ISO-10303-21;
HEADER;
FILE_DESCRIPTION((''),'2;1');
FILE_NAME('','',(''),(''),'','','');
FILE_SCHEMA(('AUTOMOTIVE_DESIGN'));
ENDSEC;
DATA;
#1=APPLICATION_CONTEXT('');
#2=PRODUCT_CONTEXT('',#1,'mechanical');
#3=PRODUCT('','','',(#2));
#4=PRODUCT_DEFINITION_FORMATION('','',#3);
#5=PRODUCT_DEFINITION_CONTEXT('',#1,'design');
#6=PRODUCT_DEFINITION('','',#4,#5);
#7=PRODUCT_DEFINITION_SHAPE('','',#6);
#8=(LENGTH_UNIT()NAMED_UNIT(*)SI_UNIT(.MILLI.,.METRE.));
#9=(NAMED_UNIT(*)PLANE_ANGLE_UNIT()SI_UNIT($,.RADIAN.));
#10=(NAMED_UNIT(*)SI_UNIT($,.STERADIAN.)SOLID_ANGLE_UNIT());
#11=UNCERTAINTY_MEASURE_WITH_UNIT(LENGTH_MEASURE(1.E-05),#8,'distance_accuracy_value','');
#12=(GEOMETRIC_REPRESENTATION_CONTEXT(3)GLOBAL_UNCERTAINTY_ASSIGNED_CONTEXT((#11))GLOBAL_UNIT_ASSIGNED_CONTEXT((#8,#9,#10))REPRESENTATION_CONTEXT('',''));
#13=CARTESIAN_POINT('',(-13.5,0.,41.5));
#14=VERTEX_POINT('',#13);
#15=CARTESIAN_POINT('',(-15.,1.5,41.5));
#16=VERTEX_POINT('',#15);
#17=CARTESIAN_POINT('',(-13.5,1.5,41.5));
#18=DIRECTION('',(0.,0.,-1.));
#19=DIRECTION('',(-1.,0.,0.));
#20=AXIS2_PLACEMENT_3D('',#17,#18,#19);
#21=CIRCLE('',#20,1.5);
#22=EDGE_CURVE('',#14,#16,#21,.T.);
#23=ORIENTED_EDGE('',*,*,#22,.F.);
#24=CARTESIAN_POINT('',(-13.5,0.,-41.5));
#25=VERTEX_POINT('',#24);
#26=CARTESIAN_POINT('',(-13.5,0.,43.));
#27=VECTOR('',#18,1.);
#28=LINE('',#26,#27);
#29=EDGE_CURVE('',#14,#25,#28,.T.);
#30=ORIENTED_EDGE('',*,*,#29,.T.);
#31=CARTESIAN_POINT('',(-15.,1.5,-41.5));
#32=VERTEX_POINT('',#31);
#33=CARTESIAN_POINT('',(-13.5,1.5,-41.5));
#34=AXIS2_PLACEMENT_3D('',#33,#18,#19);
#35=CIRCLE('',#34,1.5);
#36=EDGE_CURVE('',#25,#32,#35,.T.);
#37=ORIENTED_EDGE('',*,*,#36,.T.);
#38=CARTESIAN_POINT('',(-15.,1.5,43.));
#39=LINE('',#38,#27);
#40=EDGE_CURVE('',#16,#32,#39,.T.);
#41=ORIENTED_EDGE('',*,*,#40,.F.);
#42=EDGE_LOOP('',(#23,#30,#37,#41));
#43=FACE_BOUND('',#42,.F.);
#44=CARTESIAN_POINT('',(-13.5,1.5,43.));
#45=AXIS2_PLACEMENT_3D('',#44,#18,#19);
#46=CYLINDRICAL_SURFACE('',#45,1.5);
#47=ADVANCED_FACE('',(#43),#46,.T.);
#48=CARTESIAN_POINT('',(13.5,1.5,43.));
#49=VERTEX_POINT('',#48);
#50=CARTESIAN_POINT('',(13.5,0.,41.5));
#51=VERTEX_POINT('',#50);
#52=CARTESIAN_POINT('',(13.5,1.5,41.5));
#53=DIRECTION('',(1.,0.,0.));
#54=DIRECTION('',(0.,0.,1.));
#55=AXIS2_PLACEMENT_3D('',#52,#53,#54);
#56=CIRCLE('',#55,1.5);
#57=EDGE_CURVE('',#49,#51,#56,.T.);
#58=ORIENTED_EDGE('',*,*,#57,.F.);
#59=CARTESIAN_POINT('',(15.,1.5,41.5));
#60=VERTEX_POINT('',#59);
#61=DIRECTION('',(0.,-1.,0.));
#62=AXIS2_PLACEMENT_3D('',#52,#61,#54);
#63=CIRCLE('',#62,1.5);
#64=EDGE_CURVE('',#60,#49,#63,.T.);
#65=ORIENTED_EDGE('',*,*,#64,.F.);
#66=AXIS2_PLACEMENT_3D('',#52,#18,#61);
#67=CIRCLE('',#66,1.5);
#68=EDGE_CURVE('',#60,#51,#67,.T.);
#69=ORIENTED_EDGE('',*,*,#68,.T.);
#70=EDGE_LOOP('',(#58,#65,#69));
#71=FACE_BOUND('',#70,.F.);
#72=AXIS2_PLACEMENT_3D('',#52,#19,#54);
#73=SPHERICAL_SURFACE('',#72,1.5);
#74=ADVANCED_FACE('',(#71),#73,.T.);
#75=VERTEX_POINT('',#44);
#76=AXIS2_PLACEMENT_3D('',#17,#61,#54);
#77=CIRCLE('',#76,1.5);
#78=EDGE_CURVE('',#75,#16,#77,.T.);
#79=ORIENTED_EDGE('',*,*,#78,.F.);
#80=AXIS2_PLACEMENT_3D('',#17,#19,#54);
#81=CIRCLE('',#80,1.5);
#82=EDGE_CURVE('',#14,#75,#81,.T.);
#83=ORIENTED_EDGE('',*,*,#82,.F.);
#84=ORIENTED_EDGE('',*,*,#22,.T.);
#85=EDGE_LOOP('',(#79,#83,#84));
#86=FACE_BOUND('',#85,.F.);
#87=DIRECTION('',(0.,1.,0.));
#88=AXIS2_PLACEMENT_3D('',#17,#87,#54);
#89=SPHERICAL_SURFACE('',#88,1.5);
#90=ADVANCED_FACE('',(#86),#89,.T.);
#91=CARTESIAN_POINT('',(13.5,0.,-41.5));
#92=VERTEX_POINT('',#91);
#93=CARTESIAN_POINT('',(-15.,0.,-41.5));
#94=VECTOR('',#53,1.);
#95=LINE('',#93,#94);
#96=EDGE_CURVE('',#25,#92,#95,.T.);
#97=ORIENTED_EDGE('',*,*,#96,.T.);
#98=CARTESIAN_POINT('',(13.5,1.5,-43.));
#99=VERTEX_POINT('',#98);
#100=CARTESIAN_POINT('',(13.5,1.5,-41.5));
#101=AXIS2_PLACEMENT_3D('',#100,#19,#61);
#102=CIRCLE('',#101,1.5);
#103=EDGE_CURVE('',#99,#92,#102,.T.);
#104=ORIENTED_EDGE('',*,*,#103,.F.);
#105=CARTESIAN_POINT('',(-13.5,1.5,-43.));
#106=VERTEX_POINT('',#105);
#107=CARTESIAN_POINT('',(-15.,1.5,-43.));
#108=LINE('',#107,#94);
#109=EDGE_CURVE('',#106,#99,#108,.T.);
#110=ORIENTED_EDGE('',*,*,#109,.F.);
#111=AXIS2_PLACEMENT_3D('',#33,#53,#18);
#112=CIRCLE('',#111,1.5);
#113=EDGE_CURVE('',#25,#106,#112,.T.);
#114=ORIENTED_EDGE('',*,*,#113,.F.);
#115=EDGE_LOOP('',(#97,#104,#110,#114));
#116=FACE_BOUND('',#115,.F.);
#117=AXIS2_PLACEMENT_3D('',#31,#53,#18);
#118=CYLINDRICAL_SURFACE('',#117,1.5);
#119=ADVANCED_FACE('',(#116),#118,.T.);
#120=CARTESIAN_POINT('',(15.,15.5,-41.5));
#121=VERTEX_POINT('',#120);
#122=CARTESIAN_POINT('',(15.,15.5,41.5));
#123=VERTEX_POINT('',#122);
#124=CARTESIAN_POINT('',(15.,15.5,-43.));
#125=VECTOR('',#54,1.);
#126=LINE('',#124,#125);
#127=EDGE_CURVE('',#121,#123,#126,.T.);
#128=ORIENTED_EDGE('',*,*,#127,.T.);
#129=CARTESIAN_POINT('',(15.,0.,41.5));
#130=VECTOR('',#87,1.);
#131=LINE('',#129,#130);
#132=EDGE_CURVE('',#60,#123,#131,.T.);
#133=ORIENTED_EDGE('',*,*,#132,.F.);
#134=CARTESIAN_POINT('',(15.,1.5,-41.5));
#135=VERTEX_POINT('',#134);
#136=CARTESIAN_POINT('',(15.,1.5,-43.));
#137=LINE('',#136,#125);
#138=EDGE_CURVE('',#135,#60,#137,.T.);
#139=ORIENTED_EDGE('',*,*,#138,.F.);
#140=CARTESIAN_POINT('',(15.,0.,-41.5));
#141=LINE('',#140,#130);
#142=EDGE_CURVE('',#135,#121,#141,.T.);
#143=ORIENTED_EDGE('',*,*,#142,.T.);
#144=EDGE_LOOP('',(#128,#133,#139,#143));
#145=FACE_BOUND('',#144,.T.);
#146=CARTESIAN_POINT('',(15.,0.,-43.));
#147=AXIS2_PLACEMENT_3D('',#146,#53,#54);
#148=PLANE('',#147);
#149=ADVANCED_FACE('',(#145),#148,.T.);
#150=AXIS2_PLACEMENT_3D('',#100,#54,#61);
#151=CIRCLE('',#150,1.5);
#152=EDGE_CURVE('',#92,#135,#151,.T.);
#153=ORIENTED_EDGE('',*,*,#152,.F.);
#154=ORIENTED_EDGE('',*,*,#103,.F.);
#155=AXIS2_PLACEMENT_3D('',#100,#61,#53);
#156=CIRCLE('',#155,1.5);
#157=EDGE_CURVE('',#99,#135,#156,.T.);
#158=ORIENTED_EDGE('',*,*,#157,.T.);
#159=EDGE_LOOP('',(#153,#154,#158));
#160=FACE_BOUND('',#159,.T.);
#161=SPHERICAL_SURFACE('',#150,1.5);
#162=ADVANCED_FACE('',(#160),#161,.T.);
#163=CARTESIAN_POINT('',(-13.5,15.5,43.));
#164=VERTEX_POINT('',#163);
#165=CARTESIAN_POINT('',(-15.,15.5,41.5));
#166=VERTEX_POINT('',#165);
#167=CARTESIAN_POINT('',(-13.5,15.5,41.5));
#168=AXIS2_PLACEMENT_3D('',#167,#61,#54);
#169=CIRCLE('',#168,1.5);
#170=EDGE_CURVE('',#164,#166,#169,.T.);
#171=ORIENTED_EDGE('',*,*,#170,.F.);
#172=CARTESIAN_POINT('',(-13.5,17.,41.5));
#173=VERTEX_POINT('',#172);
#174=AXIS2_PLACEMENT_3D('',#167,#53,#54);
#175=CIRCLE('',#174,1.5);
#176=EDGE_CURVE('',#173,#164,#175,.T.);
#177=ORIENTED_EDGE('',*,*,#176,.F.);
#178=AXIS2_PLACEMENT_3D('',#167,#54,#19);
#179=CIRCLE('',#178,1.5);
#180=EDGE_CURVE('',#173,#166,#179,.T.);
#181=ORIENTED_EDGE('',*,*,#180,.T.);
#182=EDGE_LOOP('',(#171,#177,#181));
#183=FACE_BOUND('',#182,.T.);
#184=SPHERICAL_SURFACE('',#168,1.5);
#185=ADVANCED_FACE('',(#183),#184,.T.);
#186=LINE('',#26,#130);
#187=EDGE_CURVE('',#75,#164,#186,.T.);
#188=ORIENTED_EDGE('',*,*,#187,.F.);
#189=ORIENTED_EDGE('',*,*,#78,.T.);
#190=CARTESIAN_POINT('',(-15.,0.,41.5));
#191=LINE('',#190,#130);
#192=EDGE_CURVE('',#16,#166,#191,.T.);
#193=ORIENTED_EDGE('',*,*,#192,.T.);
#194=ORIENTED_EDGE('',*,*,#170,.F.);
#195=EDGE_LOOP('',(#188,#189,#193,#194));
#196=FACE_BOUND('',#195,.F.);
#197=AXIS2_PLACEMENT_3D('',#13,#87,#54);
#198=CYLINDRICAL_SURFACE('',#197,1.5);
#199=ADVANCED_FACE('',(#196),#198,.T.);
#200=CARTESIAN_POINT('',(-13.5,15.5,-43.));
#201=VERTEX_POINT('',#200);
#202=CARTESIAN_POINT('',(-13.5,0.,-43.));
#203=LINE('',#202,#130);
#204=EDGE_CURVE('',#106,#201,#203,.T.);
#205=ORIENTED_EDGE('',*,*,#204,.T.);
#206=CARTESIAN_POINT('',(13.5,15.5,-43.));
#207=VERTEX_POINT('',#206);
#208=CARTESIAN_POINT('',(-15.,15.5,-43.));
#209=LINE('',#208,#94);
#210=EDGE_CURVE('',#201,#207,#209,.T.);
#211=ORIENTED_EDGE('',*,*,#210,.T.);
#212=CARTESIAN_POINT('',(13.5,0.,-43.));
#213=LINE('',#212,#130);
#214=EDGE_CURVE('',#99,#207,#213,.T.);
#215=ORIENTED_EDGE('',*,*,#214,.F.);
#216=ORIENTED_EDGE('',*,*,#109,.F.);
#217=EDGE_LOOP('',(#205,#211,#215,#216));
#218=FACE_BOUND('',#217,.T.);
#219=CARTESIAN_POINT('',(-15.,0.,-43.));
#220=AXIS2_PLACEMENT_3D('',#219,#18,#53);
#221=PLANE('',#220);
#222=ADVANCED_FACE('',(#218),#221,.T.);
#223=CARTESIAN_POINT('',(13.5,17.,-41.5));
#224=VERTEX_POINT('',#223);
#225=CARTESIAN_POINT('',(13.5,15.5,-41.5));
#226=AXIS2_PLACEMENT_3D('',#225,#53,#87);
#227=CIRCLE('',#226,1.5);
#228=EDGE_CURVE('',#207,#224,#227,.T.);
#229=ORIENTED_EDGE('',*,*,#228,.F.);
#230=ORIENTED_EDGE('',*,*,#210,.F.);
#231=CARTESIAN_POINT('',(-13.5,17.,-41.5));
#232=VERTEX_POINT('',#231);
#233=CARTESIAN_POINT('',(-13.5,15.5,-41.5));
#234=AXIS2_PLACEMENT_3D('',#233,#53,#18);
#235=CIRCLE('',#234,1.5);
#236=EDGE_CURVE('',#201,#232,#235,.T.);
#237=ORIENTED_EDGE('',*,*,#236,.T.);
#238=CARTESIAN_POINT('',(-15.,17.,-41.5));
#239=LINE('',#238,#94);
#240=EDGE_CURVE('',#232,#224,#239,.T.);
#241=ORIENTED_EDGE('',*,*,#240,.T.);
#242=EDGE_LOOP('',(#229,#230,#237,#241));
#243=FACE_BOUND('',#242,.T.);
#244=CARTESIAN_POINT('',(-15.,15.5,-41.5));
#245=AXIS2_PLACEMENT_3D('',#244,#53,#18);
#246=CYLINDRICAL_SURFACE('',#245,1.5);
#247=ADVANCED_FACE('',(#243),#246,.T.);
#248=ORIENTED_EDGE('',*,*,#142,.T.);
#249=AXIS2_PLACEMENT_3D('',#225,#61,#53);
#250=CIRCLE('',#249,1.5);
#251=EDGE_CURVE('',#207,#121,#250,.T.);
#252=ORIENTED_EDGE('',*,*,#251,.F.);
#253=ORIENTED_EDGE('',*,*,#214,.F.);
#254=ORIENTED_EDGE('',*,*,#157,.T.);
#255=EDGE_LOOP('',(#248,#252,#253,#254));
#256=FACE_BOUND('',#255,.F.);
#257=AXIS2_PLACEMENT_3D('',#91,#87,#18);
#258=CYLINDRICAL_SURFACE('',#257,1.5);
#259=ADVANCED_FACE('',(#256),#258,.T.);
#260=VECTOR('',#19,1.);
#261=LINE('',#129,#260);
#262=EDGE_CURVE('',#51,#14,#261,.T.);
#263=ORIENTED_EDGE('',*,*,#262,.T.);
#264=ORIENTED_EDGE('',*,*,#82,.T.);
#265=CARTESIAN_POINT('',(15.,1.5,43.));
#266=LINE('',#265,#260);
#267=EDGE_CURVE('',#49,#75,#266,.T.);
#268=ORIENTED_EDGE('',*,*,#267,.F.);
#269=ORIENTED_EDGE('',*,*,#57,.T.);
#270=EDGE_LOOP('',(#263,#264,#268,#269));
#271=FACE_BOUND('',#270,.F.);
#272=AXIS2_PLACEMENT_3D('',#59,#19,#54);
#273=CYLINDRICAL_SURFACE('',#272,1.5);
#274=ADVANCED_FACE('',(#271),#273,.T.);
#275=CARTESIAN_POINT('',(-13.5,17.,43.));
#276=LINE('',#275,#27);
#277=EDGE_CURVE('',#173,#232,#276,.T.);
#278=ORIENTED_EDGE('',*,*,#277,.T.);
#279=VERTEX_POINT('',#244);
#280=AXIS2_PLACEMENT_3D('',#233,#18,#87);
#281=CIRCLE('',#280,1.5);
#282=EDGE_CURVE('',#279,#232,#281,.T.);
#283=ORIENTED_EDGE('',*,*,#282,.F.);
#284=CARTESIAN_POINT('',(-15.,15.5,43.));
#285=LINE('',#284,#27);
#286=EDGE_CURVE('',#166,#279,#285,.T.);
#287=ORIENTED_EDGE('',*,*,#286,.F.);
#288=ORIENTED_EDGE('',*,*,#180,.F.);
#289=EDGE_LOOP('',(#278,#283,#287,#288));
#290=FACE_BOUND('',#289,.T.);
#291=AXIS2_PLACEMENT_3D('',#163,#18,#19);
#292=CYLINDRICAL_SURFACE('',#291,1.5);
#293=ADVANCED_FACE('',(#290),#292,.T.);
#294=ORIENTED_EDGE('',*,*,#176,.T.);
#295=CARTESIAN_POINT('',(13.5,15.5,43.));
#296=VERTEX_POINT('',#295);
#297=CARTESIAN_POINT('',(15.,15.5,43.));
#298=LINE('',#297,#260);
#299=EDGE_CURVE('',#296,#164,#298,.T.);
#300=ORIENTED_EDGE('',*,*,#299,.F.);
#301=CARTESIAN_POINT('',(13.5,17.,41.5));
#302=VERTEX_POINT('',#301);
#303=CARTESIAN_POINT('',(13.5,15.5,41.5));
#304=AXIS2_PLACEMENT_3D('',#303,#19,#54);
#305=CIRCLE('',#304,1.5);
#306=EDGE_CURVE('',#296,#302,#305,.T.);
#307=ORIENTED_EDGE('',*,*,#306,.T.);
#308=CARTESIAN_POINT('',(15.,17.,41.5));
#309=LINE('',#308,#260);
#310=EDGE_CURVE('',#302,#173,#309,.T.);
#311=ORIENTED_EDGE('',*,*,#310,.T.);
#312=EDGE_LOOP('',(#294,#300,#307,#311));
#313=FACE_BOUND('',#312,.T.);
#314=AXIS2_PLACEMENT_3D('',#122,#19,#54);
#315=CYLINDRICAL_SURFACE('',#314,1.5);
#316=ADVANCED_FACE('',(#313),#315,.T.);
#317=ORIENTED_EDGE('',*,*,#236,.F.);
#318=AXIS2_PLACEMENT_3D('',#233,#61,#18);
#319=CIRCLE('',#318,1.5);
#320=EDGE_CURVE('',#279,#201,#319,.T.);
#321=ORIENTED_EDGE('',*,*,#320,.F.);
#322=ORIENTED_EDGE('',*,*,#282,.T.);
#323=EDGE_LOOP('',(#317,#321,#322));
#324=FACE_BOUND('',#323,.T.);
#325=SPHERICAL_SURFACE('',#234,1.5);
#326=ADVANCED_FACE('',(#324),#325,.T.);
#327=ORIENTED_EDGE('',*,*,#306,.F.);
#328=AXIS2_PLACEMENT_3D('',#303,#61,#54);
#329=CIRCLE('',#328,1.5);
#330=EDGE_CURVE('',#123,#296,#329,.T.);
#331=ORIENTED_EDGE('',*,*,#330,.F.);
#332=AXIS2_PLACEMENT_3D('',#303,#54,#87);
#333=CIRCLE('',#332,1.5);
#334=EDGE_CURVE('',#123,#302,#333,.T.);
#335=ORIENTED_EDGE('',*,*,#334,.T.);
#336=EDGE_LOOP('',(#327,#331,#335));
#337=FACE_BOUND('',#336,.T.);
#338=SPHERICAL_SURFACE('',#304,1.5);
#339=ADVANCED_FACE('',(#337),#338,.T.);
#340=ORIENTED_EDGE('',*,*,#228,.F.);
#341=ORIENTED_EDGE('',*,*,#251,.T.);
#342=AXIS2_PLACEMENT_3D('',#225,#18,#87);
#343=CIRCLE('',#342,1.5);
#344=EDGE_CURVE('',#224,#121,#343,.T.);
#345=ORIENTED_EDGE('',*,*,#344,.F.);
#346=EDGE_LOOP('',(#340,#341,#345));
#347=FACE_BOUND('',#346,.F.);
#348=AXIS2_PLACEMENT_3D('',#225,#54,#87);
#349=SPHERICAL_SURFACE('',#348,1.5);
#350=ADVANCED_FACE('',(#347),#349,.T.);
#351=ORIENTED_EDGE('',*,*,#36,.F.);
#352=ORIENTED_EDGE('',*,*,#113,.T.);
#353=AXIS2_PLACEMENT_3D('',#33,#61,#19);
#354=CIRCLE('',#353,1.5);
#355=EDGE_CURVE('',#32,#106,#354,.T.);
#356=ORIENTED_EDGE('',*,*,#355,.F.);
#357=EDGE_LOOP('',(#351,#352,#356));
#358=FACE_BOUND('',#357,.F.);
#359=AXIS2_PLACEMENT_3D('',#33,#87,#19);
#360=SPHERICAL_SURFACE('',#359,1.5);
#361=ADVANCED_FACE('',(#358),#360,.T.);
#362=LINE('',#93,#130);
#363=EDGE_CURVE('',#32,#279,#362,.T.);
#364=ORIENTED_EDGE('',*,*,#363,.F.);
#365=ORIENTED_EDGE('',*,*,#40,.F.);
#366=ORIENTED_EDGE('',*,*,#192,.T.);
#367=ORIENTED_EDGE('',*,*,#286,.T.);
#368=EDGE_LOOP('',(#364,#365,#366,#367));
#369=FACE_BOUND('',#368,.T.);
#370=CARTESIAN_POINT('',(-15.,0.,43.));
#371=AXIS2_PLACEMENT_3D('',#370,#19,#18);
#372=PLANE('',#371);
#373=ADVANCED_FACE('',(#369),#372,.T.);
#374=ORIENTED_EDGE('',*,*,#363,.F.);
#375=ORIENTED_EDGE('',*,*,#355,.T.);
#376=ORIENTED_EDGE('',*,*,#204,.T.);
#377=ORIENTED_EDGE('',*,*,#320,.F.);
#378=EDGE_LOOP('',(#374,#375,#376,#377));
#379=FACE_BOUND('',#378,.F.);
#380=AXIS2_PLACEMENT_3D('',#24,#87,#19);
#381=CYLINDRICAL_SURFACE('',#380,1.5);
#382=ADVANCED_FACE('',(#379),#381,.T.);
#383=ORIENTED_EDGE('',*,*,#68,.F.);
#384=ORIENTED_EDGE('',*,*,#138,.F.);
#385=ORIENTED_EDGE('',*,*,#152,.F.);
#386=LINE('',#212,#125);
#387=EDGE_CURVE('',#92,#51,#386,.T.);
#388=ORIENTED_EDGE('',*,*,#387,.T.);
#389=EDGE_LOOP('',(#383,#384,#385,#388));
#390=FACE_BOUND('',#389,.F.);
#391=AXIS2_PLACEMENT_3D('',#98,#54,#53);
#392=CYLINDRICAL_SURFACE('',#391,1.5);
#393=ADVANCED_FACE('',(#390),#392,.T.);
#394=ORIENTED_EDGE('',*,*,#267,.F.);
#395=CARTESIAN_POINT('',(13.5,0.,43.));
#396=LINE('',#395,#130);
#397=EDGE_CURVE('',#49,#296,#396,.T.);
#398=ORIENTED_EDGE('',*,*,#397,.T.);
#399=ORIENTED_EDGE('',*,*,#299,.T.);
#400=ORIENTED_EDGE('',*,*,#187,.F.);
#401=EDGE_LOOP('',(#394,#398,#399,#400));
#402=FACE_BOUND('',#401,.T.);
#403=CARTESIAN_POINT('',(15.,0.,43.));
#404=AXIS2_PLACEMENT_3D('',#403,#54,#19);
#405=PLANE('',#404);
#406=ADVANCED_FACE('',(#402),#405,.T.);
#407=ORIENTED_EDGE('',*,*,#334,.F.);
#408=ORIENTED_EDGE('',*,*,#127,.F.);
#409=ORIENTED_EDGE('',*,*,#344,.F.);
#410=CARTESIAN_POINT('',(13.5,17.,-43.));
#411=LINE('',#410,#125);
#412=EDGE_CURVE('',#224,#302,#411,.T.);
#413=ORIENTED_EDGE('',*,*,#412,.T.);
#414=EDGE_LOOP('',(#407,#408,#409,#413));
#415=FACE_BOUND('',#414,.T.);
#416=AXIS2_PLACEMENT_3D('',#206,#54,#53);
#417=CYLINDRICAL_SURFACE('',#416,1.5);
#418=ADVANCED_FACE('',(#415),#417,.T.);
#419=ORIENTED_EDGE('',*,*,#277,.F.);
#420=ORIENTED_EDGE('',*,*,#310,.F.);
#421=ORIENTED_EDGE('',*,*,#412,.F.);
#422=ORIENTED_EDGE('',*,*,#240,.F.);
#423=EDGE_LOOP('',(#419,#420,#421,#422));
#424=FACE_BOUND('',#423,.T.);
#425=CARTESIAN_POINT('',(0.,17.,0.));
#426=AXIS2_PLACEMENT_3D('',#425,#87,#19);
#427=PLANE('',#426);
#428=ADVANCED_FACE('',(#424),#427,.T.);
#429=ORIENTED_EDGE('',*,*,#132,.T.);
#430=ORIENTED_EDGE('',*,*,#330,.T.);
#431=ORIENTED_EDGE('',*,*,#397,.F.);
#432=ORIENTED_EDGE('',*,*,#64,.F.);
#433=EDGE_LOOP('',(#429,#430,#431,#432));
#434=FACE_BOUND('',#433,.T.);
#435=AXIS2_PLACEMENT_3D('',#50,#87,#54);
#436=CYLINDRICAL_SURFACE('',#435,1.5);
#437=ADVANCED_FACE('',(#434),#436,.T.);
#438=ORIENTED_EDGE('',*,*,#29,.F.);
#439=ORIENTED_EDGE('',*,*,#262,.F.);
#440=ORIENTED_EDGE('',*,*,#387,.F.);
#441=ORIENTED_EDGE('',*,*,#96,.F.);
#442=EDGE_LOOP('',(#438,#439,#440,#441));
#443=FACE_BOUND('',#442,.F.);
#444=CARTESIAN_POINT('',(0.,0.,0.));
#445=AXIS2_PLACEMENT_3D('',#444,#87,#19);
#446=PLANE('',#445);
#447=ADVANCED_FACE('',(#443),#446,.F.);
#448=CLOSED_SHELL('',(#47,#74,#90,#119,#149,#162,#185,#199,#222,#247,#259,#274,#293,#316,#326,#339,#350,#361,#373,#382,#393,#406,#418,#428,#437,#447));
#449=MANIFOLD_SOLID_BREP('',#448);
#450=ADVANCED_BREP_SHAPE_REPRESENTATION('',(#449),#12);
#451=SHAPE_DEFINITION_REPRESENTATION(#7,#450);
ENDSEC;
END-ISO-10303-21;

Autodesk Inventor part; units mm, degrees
ref_plane "YZ Plane" through (0, 0, 0) normal (1, 0, 0) x (0, 1, 0)
ref_plane "XZ Plane" through (0, 0, 0) normal (0, 1, 0) x (-1, 0, 0)
ref_plane "XY Plane" through (0, 0, 0) normal (0, 0, 1) x (1, 0, 0)
sketch "スケッチ1" plane through (0, 0, 0) normal (0, 1, 0) x (-1, 0, 0)
  line L0 (-15, 43) -> (15, 43)
  line L1 (15, 43) -> (15, -43)
  line L2 (15, -43) -> (-15, -43)
  line L3 (-15, -43) -> (-15, 43)
  line L4 (-15, 43) -> (15, -43) construction
  line L5 (15, 43) -> (-15, -43) construction
  point P0 (0, 0)
  dimension "d0" = 86
  dimension "d1" = 30
extrude "押し出し1" add sketch "スケッチ1" along normal blind 17
fillet "フィレット1" radius 1.5 12 edges at (-15, 8.5, 43) (0, 17, 43) (0, 0, 43) (15, 8.5, 43) (15, 0, 0) (15, 17, 0) (0, 17, -43) (-15, 8.5, -43) (-15, 17, 0) (-15, 0, 0) (0, 0, -43) (15, 8.5, -43)
properties part number "Battery_Noir3s1300mah"
